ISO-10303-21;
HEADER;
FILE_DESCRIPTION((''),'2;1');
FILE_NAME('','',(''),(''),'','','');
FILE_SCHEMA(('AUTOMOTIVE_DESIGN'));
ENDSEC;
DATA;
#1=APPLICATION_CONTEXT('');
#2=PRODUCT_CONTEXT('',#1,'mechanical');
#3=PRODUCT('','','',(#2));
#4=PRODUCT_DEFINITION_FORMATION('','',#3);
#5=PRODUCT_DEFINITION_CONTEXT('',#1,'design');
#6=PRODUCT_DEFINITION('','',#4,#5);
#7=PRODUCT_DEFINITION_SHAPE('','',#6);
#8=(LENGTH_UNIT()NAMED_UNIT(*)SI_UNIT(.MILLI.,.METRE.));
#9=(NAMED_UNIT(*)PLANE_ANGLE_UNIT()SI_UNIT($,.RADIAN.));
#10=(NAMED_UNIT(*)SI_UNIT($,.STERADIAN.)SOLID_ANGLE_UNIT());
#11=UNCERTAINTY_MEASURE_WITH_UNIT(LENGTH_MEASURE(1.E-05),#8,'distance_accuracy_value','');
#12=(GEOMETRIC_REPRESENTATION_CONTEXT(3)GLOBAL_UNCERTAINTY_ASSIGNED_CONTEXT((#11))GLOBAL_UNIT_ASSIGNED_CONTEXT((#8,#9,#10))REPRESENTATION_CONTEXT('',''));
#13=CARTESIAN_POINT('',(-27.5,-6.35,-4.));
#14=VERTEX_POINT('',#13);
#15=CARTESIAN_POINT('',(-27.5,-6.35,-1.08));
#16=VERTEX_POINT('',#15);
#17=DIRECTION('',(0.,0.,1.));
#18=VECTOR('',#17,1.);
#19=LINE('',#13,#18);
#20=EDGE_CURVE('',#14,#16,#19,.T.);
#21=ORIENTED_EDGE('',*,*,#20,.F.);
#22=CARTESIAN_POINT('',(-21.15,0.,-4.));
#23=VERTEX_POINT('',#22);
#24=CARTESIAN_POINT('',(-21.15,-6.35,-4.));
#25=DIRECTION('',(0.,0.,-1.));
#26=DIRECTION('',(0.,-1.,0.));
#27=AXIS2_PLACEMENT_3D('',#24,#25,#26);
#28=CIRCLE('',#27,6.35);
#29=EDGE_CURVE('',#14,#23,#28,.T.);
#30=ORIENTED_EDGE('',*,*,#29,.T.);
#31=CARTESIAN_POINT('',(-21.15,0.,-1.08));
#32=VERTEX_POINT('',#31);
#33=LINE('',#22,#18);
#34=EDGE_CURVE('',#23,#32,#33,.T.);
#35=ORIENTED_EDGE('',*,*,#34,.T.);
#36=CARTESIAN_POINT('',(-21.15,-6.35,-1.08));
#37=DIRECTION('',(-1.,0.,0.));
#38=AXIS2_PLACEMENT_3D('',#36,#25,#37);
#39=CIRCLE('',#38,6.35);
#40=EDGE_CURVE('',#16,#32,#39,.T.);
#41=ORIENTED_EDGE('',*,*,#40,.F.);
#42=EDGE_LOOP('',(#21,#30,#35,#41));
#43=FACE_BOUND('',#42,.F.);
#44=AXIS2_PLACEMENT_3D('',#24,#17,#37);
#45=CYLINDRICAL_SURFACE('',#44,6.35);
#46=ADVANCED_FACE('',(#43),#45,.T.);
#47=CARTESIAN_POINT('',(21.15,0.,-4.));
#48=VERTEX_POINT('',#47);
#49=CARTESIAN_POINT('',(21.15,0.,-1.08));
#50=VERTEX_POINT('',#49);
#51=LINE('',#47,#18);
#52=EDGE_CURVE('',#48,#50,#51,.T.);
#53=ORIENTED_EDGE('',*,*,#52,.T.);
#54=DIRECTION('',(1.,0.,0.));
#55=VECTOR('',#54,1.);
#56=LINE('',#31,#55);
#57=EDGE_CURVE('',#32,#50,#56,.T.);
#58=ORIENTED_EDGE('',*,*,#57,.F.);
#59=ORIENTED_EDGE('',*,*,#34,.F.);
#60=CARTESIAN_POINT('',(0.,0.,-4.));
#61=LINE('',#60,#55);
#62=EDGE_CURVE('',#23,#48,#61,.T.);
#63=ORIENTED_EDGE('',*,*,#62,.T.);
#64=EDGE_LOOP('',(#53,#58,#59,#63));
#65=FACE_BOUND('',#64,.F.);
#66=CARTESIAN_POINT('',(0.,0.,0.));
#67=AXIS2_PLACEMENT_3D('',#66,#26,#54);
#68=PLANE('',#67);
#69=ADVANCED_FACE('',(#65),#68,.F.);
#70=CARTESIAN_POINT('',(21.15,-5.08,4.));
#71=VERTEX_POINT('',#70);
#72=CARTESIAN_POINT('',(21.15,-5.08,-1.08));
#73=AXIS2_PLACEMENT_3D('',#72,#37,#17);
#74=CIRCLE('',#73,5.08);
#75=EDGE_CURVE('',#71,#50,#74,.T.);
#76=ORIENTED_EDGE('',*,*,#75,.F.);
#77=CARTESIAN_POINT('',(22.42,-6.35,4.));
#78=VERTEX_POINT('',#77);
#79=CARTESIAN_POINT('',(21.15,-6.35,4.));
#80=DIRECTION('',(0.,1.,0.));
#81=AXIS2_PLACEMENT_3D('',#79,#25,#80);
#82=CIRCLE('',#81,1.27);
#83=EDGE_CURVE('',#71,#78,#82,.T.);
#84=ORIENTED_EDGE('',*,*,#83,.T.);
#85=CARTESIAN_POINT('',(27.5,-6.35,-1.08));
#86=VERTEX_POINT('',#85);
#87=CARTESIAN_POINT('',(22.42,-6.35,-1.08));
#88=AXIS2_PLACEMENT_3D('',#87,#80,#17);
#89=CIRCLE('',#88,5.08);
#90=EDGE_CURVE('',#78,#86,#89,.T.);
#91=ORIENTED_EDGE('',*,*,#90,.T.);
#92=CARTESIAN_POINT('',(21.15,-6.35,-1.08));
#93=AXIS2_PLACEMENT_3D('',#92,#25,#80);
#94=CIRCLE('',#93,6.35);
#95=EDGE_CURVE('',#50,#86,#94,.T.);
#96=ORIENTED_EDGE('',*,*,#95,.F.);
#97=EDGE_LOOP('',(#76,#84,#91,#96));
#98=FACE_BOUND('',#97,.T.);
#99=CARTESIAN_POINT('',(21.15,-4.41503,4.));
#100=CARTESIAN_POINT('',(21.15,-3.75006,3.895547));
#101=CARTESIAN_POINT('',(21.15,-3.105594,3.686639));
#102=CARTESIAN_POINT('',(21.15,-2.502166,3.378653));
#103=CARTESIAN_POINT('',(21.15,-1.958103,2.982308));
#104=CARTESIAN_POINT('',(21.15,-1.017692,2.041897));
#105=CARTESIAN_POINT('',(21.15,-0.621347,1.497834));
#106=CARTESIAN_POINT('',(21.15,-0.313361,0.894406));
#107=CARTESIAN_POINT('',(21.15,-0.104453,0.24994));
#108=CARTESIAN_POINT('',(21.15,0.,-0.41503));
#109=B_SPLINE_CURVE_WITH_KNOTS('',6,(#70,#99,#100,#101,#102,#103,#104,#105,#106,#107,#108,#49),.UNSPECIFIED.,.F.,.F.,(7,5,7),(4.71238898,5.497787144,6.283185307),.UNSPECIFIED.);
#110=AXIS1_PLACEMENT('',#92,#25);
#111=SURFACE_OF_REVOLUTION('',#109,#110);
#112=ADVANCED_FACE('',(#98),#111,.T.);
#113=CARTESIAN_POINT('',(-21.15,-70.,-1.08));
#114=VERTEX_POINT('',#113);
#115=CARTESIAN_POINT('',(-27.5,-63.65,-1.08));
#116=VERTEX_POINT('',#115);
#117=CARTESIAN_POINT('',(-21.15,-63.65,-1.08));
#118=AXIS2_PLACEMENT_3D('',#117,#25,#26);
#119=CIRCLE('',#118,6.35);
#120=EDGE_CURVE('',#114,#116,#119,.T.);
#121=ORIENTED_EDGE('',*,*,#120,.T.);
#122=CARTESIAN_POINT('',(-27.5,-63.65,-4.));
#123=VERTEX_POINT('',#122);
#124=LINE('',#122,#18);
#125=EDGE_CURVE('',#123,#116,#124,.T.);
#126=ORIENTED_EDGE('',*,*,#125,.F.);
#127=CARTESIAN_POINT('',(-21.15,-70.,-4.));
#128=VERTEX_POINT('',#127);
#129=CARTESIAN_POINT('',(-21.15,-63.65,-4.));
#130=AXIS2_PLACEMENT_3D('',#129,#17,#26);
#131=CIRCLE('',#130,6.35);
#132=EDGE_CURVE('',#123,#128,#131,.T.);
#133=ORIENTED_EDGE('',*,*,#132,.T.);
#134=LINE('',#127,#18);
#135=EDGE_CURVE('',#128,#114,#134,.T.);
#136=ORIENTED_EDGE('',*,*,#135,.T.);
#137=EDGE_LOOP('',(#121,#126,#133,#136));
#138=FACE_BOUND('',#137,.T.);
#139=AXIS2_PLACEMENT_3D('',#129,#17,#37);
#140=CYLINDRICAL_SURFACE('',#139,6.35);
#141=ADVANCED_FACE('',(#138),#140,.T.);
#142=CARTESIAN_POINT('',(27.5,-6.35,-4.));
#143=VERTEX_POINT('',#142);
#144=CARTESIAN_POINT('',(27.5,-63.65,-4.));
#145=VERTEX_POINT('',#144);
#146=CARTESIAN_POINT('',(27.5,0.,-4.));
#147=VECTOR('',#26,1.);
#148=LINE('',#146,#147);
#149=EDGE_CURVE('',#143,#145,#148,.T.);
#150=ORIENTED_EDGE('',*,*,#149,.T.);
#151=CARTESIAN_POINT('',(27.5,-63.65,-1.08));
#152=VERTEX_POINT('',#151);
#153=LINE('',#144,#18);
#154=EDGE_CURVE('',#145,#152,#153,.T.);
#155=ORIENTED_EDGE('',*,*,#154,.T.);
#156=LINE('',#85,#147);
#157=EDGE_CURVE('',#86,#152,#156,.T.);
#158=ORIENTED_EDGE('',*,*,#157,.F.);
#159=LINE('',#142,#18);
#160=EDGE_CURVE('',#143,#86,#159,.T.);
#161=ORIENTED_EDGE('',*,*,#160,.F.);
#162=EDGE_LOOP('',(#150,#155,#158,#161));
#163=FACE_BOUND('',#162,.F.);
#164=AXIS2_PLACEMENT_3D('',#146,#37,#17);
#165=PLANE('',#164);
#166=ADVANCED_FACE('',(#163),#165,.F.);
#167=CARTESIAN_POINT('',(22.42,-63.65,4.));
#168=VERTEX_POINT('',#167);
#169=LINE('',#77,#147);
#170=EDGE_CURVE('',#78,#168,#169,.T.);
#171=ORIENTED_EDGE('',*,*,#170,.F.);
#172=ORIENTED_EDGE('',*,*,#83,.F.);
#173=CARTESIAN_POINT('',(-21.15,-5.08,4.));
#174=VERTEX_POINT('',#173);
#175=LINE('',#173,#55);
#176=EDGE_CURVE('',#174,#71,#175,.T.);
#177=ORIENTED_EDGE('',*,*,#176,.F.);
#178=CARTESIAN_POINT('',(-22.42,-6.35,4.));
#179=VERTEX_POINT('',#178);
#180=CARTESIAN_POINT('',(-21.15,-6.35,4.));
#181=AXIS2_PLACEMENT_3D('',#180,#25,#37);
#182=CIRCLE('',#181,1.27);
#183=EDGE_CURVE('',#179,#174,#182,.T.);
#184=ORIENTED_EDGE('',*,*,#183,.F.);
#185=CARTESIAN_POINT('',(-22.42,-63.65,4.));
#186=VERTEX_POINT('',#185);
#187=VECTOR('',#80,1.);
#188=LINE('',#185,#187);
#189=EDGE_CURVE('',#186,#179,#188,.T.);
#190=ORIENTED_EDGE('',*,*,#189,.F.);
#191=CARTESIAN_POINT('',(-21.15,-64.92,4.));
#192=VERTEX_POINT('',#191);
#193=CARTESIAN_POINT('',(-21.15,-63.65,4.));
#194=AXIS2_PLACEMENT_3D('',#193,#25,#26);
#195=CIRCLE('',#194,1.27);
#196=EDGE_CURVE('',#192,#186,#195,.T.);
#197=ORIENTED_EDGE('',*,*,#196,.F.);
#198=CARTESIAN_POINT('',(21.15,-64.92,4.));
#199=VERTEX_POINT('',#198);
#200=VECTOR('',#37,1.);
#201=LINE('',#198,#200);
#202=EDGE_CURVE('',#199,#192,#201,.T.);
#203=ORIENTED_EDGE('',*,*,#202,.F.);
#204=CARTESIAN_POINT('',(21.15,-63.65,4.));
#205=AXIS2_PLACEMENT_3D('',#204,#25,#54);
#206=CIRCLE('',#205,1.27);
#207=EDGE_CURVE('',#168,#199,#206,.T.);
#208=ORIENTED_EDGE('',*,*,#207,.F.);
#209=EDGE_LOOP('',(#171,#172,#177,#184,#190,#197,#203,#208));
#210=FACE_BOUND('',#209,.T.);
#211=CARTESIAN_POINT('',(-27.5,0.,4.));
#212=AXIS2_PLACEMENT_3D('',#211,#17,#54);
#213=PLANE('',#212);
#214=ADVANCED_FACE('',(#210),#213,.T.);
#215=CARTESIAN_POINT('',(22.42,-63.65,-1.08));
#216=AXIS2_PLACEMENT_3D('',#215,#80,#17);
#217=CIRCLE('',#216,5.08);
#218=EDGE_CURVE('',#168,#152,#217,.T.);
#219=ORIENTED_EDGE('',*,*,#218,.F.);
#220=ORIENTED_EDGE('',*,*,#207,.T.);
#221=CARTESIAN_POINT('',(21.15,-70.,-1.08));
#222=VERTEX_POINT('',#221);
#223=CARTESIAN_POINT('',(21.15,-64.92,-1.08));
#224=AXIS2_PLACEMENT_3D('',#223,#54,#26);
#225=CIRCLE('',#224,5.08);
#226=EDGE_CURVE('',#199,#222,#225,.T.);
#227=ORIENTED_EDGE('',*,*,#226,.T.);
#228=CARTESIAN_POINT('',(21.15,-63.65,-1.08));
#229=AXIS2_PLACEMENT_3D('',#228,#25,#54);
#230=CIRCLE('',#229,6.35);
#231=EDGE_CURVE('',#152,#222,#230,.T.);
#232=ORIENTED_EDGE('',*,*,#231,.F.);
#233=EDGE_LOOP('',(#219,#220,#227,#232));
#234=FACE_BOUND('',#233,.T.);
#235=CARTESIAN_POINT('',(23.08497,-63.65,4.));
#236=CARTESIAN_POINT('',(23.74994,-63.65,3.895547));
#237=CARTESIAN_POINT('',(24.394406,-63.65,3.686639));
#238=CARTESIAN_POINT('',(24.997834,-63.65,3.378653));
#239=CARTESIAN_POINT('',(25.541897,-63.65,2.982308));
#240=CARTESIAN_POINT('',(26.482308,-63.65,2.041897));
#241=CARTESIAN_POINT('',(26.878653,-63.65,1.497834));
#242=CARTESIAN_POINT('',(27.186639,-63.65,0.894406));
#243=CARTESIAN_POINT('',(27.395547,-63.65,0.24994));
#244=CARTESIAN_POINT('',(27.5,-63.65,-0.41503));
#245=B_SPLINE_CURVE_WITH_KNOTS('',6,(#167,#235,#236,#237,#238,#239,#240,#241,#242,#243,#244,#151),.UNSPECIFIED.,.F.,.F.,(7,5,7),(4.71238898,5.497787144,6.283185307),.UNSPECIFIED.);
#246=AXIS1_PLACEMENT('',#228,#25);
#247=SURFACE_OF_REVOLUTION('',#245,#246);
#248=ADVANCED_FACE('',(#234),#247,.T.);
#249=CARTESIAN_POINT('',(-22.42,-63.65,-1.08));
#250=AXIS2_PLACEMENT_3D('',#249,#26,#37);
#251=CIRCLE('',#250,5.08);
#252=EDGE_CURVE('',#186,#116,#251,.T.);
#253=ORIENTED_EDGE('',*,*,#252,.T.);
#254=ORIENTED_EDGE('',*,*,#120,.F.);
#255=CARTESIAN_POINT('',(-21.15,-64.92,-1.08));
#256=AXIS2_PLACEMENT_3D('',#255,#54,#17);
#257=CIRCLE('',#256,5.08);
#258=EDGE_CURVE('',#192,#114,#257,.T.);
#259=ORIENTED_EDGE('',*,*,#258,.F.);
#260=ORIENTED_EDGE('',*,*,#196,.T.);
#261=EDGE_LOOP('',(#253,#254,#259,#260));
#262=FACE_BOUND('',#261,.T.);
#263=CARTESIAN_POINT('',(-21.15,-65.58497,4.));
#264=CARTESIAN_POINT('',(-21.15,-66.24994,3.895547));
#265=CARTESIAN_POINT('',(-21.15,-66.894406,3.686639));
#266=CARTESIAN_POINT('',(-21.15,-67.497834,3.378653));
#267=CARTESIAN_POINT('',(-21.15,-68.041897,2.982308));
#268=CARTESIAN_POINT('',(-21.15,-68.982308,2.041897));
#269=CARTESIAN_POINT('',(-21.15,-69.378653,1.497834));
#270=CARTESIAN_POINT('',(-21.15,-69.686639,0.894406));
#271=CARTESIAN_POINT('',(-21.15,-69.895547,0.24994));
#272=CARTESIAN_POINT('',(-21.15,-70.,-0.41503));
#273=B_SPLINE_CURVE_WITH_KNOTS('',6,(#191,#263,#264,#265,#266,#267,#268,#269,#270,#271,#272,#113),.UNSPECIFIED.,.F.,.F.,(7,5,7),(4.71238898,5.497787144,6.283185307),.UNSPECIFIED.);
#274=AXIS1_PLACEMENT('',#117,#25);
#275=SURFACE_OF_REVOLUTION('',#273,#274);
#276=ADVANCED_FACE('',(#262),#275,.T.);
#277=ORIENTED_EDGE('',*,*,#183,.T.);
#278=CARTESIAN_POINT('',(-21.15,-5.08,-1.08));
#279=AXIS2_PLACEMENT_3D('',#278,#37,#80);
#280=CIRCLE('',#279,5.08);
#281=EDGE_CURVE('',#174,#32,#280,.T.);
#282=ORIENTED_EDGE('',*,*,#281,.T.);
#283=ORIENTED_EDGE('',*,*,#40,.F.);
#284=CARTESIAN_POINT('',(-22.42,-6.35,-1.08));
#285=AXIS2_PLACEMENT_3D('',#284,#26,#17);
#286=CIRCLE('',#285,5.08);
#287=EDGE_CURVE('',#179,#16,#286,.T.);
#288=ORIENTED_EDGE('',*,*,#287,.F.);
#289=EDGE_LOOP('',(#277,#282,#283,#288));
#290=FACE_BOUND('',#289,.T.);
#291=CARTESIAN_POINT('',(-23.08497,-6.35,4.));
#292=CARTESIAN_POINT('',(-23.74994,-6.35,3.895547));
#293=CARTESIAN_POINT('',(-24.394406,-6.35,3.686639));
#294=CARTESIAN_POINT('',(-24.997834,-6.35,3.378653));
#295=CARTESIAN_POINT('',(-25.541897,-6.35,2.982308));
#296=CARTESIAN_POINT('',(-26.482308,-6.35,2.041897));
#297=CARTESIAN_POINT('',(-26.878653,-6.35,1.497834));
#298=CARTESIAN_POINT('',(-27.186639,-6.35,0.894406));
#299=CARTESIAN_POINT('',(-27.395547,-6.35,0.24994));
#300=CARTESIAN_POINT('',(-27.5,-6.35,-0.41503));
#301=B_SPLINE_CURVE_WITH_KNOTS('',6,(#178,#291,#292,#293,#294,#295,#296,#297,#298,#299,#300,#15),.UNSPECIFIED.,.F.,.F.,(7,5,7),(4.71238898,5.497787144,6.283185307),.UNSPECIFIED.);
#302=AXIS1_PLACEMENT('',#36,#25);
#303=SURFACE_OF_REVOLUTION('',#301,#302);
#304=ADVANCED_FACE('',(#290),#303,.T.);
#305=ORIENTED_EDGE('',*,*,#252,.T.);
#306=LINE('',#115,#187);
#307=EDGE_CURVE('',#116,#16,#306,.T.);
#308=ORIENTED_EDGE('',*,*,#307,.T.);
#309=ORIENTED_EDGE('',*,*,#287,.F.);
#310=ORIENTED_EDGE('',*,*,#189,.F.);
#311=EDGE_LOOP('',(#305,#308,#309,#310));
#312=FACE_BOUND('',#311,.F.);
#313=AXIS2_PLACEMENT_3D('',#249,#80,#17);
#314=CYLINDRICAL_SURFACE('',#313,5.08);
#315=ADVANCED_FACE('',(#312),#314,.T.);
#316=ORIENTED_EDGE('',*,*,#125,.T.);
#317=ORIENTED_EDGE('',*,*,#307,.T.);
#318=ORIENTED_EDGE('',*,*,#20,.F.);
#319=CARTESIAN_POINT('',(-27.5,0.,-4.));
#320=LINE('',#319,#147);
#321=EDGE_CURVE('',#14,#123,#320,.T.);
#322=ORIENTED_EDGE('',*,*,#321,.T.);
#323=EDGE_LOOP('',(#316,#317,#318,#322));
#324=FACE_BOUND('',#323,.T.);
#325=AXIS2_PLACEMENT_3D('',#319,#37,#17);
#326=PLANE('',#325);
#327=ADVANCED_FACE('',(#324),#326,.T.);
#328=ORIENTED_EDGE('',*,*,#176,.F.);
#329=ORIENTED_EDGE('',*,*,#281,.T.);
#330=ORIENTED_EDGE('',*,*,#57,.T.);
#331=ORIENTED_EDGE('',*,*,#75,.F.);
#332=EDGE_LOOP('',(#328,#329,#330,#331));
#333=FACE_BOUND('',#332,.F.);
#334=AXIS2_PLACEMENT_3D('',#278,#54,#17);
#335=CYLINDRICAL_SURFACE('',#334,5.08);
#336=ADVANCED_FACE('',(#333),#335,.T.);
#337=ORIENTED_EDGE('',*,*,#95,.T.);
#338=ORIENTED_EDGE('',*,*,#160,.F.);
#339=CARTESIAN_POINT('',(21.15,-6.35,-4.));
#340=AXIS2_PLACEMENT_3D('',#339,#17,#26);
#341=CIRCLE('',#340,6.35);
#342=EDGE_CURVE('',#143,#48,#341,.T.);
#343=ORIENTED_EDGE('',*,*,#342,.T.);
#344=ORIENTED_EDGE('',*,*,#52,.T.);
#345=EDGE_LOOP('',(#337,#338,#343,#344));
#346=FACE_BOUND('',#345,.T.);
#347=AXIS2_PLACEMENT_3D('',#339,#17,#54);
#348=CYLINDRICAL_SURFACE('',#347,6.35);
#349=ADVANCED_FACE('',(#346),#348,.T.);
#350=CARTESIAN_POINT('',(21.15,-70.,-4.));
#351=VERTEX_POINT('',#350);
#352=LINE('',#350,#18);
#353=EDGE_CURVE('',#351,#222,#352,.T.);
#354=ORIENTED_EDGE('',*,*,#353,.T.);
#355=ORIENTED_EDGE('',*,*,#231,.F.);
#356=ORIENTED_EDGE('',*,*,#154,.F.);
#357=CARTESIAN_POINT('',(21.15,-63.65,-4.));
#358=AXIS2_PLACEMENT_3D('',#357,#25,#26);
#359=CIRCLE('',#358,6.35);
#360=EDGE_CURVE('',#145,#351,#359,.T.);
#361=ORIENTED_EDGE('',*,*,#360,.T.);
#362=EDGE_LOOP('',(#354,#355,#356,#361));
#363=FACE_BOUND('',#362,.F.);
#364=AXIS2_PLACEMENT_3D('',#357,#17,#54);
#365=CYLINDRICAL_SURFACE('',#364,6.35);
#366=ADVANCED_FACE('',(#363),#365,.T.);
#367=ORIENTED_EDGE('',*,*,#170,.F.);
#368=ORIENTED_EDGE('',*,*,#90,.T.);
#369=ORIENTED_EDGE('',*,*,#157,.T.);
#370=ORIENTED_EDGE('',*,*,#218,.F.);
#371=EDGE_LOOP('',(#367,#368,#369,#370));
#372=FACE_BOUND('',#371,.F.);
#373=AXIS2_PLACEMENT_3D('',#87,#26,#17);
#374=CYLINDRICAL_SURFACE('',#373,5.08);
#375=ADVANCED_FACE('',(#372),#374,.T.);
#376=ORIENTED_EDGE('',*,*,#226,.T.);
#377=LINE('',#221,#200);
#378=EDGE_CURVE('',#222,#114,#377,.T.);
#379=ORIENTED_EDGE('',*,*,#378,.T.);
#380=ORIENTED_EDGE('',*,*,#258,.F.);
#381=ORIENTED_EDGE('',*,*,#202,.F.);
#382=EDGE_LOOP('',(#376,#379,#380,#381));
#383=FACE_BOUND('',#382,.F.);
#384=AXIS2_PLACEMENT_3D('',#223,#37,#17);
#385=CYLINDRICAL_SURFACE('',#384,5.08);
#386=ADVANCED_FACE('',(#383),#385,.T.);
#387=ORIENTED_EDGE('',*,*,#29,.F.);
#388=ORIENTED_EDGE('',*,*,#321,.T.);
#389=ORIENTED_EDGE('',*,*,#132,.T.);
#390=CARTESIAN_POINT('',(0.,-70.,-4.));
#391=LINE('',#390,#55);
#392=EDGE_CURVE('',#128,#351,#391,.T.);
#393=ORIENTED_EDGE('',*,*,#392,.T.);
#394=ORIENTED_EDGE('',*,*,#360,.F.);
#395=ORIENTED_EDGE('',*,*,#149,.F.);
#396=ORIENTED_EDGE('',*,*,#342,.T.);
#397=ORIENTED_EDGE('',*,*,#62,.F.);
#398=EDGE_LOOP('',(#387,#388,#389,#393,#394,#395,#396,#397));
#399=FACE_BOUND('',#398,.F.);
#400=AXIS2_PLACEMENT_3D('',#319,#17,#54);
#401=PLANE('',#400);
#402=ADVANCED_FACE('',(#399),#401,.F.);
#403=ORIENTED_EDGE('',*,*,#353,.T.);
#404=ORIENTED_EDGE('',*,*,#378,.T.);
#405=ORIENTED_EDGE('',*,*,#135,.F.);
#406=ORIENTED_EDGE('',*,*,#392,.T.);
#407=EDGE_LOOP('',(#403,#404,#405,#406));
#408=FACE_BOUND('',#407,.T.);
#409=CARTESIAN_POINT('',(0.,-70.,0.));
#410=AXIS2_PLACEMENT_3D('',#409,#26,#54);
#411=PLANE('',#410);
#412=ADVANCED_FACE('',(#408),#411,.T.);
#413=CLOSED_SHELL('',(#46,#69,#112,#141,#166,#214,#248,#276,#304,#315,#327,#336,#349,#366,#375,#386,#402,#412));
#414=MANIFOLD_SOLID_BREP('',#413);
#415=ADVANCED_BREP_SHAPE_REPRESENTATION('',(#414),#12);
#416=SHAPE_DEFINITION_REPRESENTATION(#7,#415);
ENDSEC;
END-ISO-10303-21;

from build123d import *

# Parameters (mm, degrees)
F0_W     = 55
F0_H     = 8
F1_DEPTH = 70
F2_R     = 6.35
F3_R     = 5.08


with BuildPart() as f1:
    # F0 (on Front) → F1 (new body)
    with BuildSketch(Plane.XZ):
        Rectangle(F0_W, F0_H)
    extrude(amount=F1_DEPTH)

    # F2
    f2_edges = [f1.edges().sort_by_distance(p)[0] for p in [
        (-27.5, -70, 0),
        (27.5, -70, 0),
        (27.5, 0, 0),
        (-27.5, 0, 0),
    ]]
    fillet(f2_edges, radius=F2_R)

    # F3
    f3_edges = [f1.edges().sort_by_distance(p)[0] for p in [
        (27.5, -35, 4),
        (25.640128, -1.859872, 4),
        (25.640128, -68.140128, 4),
        (0, 0, 4),
        (0, -70, 4),
        (-25.640128, -1.859872, 4),
        (-25.640128, -68.140128, 4),
        (-27.5, -35, 4),
    ]]
    fillet(f3_edges, radius=F3_R)


solid = f1.part
